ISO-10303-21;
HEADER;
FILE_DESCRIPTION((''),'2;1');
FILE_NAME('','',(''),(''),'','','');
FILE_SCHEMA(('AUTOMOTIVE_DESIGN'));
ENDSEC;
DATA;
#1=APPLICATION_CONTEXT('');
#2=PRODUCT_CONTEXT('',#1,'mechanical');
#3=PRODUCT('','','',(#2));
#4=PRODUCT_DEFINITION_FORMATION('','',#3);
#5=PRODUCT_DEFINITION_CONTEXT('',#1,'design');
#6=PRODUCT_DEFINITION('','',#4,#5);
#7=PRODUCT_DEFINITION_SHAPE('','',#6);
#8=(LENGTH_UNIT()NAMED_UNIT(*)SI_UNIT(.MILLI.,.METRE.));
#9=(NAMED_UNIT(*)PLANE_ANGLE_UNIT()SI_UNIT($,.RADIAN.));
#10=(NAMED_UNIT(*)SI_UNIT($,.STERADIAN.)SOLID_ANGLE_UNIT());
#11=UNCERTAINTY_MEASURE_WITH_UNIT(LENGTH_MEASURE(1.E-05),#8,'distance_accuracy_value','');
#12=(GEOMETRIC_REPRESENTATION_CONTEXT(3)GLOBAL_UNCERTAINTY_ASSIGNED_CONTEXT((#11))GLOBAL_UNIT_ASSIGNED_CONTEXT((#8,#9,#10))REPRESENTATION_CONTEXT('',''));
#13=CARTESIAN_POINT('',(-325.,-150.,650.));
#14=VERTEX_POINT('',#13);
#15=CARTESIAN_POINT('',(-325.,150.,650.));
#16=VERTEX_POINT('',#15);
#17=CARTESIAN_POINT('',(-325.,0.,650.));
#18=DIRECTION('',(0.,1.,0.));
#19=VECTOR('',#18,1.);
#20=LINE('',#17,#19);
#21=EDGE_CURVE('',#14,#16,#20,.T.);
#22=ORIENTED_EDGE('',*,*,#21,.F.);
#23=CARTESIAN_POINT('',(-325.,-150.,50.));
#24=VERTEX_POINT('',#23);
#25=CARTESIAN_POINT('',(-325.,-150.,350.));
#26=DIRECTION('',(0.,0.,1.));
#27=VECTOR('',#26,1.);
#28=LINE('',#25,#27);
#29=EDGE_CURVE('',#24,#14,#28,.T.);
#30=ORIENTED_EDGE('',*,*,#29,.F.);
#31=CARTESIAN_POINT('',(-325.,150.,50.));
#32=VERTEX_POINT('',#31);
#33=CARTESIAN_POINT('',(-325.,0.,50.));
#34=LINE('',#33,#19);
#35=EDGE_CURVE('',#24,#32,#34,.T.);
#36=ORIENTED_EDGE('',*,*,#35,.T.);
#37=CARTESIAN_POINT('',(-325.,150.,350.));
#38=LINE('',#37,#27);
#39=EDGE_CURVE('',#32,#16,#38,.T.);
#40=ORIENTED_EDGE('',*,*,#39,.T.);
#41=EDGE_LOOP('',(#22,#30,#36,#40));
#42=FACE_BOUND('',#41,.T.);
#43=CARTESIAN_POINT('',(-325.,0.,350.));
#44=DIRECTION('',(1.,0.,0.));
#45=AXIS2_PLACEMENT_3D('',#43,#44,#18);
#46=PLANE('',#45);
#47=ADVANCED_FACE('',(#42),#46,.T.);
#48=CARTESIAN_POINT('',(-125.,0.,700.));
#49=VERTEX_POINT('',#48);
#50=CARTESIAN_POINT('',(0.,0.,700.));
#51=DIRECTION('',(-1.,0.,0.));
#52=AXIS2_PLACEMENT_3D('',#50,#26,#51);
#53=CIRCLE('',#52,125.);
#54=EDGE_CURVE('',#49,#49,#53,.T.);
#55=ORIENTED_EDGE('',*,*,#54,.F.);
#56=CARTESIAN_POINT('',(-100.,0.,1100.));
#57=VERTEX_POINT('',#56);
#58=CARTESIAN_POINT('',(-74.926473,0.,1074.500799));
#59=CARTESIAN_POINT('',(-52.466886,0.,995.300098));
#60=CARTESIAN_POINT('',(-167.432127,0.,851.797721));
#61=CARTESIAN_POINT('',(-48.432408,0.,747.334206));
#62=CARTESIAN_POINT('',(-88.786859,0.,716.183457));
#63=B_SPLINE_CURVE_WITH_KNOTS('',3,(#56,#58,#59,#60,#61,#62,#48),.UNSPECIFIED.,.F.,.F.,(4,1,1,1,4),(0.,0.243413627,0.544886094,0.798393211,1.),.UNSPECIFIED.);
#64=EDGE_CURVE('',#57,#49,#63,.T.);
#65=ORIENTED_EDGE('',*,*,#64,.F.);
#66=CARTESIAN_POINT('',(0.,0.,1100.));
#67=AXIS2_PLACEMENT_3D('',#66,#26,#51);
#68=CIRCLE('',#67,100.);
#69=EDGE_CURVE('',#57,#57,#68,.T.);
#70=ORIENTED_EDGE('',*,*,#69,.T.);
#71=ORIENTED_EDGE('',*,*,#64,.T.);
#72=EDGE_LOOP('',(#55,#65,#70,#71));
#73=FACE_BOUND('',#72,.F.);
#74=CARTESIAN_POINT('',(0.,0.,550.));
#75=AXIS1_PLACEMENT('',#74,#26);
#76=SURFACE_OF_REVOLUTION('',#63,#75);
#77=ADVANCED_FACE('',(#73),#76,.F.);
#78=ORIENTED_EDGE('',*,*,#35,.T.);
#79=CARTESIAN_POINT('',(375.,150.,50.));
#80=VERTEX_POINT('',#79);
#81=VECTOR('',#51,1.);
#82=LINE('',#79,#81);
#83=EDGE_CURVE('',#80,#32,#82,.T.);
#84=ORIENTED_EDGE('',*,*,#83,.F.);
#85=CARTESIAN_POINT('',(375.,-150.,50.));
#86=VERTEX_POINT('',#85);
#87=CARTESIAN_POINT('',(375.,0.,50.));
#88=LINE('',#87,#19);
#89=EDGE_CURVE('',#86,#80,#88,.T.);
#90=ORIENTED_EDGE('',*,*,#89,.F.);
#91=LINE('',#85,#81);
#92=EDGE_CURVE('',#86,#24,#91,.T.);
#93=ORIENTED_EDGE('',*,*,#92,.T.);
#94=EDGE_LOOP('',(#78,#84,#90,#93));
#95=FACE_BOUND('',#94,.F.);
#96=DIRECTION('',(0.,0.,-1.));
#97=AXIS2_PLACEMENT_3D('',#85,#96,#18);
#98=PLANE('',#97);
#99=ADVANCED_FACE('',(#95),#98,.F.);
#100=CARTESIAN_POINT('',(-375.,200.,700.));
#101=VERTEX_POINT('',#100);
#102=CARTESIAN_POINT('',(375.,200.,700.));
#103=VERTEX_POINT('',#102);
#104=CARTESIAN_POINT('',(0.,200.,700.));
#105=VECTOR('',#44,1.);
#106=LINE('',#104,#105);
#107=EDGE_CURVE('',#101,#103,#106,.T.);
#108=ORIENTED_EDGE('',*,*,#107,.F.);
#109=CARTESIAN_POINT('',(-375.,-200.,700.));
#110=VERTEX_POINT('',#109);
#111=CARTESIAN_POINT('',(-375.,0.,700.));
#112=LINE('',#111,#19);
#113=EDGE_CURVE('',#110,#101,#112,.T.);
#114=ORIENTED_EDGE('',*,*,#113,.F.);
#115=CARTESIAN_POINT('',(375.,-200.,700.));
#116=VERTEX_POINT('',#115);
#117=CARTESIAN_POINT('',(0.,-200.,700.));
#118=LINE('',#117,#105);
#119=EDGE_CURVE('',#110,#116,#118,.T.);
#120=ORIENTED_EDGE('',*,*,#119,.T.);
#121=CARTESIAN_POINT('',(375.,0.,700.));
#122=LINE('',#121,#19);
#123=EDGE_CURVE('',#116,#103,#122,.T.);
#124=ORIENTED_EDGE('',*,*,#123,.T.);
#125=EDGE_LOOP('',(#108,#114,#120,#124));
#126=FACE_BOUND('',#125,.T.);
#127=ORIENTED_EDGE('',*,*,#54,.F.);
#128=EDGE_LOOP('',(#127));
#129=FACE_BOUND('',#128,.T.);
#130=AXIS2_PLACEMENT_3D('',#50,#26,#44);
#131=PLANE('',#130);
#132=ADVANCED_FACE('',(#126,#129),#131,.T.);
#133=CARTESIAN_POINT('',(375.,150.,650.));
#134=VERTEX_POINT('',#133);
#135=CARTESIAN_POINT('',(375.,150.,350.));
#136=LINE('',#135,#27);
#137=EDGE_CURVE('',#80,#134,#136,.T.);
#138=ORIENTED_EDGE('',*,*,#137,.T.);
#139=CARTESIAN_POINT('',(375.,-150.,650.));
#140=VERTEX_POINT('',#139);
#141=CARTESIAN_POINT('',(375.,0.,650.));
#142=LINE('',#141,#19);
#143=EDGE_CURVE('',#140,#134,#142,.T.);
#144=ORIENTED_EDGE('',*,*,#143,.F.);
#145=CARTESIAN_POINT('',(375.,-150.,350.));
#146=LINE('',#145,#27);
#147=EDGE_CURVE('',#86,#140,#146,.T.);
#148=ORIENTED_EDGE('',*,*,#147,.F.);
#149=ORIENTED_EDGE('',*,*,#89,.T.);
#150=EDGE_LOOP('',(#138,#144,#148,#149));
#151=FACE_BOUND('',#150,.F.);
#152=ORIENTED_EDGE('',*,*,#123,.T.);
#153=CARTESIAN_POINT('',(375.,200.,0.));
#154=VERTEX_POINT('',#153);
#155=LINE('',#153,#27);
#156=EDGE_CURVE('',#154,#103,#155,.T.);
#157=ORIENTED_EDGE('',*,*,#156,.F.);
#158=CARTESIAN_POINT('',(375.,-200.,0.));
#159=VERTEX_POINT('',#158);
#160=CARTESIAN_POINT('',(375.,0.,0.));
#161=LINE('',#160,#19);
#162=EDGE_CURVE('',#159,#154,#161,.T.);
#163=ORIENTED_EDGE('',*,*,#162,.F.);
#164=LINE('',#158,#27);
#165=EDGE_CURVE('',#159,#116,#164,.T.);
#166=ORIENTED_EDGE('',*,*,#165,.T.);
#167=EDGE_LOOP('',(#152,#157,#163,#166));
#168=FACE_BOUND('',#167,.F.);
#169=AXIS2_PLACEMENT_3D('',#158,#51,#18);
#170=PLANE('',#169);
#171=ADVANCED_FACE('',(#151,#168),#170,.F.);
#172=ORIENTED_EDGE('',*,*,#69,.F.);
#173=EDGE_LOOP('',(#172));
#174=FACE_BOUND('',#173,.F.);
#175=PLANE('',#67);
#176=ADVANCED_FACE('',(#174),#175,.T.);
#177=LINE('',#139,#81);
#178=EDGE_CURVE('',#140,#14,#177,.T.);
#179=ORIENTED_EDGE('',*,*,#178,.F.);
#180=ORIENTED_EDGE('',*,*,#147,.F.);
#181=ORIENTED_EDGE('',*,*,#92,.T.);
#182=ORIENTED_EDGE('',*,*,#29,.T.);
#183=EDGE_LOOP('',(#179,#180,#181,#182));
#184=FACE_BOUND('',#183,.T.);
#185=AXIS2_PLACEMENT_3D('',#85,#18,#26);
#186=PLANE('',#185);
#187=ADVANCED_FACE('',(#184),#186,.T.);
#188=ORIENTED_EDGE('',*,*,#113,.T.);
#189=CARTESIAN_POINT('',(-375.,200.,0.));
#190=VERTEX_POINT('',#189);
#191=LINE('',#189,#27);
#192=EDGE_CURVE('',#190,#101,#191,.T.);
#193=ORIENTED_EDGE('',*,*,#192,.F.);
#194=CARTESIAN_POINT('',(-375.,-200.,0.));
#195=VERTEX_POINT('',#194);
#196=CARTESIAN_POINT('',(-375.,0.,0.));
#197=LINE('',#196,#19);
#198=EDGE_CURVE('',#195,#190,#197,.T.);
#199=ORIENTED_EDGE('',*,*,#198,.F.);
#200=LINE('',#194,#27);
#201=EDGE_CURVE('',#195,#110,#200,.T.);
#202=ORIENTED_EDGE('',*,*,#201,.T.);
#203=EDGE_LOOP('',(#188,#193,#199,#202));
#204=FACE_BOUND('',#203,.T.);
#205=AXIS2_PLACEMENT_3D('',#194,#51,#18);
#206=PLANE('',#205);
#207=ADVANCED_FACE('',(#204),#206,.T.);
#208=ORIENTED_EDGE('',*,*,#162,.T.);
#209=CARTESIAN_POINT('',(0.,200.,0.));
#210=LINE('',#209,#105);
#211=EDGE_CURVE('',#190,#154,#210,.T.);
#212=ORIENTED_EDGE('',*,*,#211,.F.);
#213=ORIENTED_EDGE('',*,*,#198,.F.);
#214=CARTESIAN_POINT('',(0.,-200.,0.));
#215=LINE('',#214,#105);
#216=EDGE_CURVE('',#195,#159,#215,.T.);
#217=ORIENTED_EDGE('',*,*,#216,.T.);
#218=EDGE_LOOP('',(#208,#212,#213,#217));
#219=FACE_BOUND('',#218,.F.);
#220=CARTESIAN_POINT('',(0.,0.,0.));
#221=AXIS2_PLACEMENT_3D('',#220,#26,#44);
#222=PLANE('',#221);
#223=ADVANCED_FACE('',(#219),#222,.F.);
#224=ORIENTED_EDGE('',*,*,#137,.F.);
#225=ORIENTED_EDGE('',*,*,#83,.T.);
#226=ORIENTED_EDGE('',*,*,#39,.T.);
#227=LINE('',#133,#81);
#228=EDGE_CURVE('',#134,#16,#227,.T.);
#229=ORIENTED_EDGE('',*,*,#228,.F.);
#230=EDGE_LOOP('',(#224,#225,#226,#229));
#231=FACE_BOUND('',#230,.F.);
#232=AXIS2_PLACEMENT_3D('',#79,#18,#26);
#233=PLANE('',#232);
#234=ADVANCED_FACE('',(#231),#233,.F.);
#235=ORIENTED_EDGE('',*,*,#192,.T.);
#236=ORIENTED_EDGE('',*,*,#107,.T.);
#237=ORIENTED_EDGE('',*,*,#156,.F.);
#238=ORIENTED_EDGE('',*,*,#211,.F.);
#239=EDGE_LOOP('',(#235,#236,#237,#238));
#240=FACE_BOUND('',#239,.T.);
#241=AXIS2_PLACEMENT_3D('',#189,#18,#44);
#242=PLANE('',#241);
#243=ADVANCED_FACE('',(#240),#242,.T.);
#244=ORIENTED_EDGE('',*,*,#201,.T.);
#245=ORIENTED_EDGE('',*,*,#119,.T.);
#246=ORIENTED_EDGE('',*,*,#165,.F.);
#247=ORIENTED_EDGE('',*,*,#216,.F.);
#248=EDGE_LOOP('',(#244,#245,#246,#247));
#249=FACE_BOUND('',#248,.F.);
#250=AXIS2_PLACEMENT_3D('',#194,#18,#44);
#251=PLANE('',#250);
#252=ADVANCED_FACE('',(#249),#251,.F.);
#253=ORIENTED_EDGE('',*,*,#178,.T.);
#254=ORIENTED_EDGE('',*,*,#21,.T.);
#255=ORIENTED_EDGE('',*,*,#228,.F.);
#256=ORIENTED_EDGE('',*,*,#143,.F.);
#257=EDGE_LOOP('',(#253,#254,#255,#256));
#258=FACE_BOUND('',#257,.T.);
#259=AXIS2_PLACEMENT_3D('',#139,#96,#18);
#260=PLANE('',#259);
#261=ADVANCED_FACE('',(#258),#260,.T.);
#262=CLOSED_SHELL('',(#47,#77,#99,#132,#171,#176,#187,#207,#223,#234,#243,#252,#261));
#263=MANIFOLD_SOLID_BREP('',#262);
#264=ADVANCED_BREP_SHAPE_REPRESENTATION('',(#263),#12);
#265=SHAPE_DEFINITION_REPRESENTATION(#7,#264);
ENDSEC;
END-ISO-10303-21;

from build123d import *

# Parameters (mm, degrees)
F0_W     = 750
F0_H     = 400
F1_DEPTH = 700
F2_W     = 300
F2_H     = 600
F3_DEPTH = 700


with BuildPart() as f1:
    # F0 (on Top) → F1 (new body)
    with BuildSketch(Plane.XY):
        Rectangle(F0_W, F0_H)
    extrude(amount=F1_DEPTH)

    # F2 (on face) → F3 (cut, through all)
    with BuildSketch(Plane.YZ.offset(375)):
        with Locations((0, 350)):
            Rectangle(F2_W, F2_H)
    extrude(amount=-F3_DEPTH, mode=Mode.SUBTRACT)

    # F4 (on Front) → F5 (revolve)
    with BuildSketch(Plane.XZ):
        with BuildLine():
            Line((0, 1100), (-100, 1100))
            add(Edge.make_bspline(
                [(-100, 1100), (-74.9264732003, 1074.5007991791), (-52.4668861873, 995.3000976798), (-167.4321274896, 851.7977207352), (-48.4324080123, 747.3342060696), (-88.7868594089, 716.1834569746), (-125, 700)],
                knots=[0, 0, 0, 0, 0.2434136268, 0.5448860938, 0.7983932105, 1, 1, 1, 1], degree=3))
            Line((-125, 700), (0, 700))
            Line((0, 700), (0, 1100))
        make_face()
    revolve(axis=Axis((0, 0, 550), (0, 0, 1)))


solid = f1.part
